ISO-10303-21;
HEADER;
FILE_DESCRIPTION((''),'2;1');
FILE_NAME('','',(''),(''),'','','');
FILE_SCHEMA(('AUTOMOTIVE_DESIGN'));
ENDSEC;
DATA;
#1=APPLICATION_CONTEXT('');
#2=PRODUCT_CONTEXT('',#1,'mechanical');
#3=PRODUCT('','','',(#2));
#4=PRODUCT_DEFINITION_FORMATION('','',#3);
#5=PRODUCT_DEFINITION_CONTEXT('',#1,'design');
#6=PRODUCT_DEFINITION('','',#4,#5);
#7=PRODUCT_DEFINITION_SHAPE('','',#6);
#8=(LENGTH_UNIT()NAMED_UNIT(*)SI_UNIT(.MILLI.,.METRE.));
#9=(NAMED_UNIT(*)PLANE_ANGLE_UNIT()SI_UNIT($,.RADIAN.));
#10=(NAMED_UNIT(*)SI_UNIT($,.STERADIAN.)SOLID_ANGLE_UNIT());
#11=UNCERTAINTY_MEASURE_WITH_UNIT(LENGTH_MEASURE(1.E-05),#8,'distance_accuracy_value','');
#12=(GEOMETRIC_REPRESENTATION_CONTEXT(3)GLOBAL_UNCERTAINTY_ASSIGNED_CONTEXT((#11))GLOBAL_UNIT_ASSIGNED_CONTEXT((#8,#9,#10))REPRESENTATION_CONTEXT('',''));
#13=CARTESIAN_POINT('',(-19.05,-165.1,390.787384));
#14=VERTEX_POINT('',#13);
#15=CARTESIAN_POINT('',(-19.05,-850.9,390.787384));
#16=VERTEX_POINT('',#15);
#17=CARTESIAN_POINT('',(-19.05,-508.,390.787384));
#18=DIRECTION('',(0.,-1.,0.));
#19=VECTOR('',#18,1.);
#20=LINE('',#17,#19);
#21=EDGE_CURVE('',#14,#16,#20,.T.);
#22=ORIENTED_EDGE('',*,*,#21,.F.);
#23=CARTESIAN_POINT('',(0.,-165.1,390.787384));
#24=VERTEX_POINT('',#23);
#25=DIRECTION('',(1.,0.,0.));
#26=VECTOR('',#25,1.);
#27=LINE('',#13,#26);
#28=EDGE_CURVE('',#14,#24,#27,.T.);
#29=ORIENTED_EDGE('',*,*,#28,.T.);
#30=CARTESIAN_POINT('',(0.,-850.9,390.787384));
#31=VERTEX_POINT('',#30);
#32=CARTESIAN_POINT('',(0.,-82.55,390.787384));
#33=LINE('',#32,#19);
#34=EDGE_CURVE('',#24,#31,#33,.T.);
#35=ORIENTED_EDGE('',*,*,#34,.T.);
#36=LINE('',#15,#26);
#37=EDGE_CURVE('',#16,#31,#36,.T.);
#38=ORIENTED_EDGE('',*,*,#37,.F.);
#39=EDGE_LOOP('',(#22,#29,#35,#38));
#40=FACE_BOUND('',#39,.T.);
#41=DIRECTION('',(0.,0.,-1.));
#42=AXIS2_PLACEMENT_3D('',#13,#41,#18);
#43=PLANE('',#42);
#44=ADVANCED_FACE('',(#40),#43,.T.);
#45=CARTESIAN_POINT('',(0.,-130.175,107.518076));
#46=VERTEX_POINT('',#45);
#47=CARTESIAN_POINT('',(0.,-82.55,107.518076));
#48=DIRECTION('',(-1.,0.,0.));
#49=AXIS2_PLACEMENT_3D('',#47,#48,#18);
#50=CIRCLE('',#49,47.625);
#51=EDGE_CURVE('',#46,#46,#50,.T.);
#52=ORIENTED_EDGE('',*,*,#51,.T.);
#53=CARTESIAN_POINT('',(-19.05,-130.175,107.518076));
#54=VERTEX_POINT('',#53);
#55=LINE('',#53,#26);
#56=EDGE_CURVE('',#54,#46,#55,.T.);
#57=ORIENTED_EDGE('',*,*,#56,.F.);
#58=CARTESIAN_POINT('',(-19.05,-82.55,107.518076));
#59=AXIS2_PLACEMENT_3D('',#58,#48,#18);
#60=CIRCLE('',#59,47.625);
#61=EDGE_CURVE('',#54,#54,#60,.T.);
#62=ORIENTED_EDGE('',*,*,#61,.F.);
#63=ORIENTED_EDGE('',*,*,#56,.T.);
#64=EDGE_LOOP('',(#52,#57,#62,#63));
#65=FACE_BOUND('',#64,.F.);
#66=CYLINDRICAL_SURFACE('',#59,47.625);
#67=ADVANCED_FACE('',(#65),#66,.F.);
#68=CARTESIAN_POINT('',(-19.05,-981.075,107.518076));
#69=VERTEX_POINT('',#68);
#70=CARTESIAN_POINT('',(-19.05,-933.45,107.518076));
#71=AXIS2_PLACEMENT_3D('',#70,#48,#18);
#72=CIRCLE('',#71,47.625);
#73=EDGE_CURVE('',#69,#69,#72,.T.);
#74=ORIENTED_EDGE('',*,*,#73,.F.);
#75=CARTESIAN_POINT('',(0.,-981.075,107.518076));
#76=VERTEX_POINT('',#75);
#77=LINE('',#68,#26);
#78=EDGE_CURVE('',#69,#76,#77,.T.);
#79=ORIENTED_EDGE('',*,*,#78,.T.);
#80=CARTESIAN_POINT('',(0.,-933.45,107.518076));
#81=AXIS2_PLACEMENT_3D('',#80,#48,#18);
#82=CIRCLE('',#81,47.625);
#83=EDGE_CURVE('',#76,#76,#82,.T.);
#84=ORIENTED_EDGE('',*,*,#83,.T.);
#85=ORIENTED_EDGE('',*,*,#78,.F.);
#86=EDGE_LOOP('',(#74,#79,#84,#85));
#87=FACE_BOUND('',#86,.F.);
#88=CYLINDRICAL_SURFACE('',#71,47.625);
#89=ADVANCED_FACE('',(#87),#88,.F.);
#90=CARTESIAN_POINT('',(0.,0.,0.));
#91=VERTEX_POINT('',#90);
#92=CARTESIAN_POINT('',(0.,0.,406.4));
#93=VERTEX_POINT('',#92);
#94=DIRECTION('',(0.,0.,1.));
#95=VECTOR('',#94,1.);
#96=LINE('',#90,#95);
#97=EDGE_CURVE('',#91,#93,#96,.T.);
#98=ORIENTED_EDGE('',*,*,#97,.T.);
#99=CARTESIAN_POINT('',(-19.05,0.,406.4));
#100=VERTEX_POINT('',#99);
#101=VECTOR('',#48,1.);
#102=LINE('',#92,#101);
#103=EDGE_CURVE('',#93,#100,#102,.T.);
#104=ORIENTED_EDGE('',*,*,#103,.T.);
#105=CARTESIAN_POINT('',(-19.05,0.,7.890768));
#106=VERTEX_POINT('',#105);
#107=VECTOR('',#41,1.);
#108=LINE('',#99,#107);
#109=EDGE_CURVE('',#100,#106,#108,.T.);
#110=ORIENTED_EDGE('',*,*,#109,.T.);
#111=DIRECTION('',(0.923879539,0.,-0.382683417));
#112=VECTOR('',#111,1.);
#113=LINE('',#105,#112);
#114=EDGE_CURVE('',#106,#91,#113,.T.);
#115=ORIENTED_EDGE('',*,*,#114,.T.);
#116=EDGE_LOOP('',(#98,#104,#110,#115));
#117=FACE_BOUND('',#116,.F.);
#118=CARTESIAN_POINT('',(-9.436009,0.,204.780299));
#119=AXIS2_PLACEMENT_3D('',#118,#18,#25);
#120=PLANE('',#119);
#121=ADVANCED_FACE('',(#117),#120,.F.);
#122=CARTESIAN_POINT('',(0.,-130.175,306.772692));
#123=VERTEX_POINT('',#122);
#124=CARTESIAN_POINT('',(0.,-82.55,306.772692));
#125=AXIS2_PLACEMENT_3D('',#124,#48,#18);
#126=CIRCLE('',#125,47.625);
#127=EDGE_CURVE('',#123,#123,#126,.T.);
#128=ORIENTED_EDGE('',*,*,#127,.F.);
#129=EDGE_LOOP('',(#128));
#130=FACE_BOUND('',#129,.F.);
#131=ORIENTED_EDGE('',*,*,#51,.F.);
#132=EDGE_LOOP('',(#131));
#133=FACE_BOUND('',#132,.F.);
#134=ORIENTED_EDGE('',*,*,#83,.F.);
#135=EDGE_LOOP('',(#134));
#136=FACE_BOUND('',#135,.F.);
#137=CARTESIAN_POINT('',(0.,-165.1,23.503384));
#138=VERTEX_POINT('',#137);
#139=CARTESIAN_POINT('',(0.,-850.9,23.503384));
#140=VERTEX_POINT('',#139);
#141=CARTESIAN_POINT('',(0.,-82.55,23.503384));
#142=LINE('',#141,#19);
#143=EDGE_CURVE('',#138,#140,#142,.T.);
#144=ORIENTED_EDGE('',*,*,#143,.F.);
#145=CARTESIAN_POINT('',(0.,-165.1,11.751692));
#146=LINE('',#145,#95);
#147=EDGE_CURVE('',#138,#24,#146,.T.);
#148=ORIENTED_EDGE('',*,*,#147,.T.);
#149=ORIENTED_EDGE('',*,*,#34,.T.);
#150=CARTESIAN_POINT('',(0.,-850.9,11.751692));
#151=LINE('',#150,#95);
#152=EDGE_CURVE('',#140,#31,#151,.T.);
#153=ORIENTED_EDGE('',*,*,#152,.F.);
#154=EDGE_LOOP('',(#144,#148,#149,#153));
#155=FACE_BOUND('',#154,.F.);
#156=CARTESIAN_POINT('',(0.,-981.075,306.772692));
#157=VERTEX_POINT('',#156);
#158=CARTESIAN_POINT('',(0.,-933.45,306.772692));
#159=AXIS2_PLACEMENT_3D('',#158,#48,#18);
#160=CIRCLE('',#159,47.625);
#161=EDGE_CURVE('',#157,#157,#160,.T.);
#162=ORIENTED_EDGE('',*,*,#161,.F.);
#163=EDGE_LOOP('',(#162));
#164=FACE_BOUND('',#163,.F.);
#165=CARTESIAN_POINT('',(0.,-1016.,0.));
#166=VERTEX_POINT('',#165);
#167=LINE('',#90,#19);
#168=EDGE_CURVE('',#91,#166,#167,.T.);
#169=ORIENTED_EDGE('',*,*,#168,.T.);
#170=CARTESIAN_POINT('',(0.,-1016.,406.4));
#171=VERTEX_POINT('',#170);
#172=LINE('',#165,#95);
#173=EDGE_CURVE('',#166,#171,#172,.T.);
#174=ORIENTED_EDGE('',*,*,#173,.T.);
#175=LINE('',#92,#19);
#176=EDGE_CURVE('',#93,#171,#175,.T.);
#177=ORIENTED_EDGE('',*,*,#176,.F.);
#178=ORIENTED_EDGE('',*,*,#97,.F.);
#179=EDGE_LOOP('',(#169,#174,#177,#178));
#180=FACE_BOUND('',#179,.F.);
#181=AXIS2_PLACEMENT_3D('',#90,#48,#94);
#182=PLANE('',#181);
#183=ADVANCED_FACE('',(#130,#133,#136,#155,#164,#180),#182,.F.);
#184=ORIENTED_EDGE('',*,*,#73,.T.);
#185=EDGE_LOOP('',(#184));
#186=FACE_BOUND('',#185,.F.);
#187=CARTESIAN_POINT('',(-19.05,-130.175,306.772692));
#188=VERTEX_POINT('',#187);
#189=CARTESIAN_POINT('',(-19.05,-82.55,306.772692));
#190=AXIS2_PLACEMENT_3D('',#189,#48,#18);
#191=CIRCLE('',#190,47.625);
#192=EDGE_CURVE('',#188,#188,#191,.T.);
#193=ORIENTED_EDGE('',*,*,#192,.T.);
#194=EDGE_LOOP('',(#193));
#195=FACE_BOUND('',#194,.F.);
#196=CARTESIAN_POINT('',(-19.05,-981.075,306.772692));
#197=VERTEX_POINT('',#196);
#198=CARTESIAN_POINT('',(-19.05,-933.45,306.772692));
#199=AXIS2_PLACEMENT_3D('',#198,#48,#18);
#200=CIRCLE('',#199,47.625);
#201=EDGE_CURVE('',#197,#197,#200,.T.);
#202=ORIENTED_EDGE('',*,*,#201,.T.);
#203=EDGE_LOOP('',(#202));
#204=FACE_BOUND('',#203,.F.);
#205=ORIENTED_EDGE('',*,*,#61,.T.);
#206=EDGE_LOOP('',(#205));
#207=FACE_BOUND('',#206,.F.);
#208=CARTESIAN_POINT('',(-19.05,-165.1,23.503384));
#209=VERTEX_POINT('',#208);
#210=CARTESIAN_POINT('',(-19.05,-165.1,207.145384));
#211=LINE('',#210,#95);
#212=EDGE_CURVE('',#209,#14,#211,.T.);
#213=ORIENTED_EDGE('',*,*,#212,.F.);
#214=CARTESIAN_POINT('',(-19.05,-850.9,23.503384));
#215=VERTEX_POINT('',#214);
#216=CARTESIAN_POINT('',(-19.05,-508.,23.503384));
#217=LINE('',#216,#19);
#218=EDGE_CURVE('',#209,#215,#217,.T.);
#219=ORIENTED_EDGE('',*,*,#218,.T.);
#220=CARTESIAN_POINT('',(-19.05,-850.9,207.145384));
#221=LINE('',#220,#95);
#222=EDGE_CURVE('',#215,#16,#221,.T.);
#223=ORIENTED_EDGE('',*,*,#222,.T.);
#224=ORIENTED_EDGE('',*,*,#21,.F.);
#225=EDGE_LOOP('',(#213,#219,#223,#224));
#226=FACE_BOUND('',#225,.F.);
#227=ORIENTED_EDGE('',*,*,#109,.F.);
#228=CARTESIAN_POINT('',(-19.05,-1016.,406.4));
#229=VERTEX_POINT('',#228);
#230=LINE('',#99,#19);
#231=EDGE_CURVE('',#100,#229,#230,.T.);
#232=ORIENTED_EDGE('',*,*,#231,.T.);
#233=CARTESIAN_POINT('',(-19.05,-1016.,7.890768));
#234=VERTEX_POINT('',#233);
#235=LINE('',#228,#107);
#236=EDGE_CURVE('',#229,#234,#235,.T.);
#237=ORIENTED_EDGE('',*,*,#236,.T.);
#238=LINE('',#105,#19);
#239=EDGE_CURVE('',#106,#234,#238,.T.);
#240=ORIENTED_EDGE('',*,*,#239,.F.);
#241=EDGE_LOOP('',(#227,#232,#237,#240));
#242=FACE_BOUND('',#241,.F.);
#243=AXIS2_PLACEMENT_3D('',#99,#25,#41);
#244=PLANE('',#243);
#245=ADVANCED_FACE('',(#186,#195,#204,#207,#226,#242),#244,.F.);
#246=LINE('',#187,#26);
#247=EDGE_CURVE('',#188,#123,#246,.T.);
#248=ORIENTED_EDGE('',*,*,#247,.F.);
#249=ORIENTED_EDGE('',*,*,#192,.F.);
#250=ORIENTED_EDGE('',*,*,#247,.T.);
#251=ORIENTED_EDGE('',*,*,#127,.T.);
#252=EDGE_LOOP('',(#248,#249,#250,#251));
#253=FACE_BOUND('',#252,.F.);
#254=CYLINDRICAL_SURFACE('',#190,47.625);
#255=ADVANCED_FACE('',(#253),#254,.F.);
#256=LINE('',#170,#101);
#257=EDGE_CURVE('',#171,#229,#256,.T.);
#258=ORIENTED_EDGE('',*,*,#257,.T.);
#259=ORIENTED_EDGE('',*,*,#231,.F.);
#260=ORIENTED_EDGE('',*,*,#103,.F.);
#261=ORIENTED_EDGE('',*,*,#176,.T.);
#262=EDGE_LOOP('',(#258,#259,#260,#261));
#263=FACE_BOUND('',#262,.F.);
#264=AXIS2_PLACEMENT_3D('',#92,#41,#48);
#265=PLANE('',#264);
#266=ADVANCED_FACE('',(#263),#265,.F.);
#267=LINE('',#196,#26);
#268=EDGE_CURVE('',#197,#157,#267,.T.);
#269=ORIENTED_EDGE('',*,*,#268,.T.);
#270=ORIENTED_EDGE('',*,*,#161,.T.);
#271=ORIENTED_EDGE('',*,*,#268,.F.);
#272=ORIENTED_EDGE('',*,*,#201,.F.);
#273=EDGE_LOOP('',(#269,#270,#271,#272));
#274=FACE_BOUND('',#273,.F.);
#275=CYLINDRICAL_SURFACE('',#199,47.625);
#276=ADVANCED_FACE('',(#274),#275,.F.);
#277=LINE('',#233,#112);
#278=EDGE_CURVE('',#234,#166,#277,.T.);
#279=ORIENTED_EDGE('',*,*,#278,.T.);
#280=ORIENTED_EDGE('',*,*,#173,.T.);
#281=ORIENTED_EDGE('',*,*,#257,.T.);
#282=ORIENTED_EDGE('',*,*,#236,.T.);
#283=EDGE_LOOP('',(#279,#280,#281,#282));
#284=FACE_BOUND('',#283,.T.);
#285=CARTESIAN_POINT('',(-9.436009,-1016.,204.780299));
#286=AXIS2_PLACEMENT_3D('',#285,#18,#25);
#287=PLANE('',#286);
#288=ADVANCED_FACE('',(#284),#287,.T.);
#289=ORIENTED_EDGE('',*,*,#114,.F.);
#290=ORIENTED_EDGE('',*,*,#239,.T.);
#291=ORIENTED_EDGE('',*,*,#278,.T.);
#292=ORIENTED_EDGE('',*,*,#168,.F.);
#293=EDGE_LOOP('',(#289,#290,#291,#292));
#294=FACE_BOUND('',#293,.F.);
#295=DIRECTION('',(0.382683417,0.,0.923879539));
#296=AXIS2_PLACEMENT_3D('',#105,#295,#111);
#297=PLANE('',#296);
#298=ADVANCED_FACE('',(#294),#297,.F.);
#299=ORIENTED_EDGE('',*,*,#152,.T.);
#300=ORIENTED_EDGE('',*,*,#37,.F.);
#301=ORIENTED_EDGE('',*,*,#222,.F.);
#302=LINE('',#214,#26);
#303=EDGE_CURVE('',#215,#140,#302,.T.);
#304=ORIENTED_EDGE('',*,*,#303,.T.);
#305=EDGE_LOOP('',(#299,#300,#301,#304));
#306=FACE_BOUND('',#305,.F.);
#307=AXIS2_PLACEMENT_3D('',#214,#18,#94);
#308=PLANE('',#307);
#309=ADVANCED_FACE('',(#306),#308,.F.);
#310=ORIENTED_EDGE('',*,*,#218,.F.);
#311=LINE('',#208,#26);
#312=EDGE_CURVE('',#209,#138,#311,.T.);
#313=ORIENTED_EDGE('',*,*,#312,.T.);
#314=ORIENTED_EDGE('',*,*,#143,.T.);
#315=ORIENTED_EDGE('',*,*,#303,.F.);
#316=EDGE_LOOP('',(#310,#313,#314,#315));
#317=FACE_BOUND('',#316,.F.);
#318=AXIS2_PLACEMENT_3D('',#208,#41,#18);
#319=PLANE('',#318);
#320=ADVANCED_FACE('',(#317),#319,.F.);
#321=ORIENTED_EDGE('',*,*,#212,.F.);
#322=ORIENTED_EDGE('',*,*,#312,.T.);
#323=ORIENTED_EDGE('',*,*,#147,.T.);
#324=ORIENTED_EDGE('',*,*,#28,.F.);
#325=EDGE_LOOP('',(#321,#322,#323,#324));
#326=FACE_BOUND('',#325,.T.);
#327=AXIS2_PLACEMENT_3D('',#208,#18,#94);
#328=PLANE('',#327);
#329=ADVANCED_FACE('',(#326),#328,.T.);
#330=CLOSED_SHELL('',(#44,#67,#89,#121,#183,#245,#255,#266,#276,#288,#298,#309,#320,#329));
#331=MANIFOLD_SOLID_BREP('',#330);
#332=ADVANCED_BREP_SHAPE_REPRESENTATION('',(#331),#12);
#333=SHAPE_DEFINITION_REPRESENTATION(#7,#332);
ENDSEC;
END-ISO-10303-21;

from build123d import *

# Parameters (mm, degrees)
F1_DEPTH = 1016
F2_W     = 685.8
F2_H     = 367.284
F3_DEPTH = 19.051
F4_R     = 47.625
F5_DEPTH = 19.051


with BuildPart() as f1:
    # F0 (on Front) → F1 (new body)
    with BuildSketch(Plane.XZ):
        Polygon((-19.05, 7.890768), (0, 0), (0, 406.4), (-19.05, 406.4), align=None)
    extrude(amount=F1_DEPTH)

    # F2 (on face) → F3 (cut, through all)
    with BuildSketch(Plane(origin=(-19.05, 0, 0), x_dir=(0, -1, 0), z_dir=(-1, 0, 0))):
        with Locations((508, 207.145384)):
            Rectangle(F2_W, F2_H)
    extrude(amount=-F3_DEPTH, mode=Mode.SUBTRACT)

    # F4 (on face) → F5 (cut, through all)
    with BuildSketch(Plane(origin=(-19.05, 0, 0), x_dir=(0, -1, 0), z_dir=(-1, 0, 0))):
        with Locations((82.55, 306.772692)):
            Circle(F4_R)
        with Locations((82.55, 107.518076)):
            Circle(F4_R)
        with Locations((933.45, 306.772692)):
            Circle(F4_R)
        with Locations((933.45, 107.518076)):
            Circle(F4_R)
    extrude(amount=-F5_DEPTH, mode=Mode.SUBTRACT)


solid = f1.part
